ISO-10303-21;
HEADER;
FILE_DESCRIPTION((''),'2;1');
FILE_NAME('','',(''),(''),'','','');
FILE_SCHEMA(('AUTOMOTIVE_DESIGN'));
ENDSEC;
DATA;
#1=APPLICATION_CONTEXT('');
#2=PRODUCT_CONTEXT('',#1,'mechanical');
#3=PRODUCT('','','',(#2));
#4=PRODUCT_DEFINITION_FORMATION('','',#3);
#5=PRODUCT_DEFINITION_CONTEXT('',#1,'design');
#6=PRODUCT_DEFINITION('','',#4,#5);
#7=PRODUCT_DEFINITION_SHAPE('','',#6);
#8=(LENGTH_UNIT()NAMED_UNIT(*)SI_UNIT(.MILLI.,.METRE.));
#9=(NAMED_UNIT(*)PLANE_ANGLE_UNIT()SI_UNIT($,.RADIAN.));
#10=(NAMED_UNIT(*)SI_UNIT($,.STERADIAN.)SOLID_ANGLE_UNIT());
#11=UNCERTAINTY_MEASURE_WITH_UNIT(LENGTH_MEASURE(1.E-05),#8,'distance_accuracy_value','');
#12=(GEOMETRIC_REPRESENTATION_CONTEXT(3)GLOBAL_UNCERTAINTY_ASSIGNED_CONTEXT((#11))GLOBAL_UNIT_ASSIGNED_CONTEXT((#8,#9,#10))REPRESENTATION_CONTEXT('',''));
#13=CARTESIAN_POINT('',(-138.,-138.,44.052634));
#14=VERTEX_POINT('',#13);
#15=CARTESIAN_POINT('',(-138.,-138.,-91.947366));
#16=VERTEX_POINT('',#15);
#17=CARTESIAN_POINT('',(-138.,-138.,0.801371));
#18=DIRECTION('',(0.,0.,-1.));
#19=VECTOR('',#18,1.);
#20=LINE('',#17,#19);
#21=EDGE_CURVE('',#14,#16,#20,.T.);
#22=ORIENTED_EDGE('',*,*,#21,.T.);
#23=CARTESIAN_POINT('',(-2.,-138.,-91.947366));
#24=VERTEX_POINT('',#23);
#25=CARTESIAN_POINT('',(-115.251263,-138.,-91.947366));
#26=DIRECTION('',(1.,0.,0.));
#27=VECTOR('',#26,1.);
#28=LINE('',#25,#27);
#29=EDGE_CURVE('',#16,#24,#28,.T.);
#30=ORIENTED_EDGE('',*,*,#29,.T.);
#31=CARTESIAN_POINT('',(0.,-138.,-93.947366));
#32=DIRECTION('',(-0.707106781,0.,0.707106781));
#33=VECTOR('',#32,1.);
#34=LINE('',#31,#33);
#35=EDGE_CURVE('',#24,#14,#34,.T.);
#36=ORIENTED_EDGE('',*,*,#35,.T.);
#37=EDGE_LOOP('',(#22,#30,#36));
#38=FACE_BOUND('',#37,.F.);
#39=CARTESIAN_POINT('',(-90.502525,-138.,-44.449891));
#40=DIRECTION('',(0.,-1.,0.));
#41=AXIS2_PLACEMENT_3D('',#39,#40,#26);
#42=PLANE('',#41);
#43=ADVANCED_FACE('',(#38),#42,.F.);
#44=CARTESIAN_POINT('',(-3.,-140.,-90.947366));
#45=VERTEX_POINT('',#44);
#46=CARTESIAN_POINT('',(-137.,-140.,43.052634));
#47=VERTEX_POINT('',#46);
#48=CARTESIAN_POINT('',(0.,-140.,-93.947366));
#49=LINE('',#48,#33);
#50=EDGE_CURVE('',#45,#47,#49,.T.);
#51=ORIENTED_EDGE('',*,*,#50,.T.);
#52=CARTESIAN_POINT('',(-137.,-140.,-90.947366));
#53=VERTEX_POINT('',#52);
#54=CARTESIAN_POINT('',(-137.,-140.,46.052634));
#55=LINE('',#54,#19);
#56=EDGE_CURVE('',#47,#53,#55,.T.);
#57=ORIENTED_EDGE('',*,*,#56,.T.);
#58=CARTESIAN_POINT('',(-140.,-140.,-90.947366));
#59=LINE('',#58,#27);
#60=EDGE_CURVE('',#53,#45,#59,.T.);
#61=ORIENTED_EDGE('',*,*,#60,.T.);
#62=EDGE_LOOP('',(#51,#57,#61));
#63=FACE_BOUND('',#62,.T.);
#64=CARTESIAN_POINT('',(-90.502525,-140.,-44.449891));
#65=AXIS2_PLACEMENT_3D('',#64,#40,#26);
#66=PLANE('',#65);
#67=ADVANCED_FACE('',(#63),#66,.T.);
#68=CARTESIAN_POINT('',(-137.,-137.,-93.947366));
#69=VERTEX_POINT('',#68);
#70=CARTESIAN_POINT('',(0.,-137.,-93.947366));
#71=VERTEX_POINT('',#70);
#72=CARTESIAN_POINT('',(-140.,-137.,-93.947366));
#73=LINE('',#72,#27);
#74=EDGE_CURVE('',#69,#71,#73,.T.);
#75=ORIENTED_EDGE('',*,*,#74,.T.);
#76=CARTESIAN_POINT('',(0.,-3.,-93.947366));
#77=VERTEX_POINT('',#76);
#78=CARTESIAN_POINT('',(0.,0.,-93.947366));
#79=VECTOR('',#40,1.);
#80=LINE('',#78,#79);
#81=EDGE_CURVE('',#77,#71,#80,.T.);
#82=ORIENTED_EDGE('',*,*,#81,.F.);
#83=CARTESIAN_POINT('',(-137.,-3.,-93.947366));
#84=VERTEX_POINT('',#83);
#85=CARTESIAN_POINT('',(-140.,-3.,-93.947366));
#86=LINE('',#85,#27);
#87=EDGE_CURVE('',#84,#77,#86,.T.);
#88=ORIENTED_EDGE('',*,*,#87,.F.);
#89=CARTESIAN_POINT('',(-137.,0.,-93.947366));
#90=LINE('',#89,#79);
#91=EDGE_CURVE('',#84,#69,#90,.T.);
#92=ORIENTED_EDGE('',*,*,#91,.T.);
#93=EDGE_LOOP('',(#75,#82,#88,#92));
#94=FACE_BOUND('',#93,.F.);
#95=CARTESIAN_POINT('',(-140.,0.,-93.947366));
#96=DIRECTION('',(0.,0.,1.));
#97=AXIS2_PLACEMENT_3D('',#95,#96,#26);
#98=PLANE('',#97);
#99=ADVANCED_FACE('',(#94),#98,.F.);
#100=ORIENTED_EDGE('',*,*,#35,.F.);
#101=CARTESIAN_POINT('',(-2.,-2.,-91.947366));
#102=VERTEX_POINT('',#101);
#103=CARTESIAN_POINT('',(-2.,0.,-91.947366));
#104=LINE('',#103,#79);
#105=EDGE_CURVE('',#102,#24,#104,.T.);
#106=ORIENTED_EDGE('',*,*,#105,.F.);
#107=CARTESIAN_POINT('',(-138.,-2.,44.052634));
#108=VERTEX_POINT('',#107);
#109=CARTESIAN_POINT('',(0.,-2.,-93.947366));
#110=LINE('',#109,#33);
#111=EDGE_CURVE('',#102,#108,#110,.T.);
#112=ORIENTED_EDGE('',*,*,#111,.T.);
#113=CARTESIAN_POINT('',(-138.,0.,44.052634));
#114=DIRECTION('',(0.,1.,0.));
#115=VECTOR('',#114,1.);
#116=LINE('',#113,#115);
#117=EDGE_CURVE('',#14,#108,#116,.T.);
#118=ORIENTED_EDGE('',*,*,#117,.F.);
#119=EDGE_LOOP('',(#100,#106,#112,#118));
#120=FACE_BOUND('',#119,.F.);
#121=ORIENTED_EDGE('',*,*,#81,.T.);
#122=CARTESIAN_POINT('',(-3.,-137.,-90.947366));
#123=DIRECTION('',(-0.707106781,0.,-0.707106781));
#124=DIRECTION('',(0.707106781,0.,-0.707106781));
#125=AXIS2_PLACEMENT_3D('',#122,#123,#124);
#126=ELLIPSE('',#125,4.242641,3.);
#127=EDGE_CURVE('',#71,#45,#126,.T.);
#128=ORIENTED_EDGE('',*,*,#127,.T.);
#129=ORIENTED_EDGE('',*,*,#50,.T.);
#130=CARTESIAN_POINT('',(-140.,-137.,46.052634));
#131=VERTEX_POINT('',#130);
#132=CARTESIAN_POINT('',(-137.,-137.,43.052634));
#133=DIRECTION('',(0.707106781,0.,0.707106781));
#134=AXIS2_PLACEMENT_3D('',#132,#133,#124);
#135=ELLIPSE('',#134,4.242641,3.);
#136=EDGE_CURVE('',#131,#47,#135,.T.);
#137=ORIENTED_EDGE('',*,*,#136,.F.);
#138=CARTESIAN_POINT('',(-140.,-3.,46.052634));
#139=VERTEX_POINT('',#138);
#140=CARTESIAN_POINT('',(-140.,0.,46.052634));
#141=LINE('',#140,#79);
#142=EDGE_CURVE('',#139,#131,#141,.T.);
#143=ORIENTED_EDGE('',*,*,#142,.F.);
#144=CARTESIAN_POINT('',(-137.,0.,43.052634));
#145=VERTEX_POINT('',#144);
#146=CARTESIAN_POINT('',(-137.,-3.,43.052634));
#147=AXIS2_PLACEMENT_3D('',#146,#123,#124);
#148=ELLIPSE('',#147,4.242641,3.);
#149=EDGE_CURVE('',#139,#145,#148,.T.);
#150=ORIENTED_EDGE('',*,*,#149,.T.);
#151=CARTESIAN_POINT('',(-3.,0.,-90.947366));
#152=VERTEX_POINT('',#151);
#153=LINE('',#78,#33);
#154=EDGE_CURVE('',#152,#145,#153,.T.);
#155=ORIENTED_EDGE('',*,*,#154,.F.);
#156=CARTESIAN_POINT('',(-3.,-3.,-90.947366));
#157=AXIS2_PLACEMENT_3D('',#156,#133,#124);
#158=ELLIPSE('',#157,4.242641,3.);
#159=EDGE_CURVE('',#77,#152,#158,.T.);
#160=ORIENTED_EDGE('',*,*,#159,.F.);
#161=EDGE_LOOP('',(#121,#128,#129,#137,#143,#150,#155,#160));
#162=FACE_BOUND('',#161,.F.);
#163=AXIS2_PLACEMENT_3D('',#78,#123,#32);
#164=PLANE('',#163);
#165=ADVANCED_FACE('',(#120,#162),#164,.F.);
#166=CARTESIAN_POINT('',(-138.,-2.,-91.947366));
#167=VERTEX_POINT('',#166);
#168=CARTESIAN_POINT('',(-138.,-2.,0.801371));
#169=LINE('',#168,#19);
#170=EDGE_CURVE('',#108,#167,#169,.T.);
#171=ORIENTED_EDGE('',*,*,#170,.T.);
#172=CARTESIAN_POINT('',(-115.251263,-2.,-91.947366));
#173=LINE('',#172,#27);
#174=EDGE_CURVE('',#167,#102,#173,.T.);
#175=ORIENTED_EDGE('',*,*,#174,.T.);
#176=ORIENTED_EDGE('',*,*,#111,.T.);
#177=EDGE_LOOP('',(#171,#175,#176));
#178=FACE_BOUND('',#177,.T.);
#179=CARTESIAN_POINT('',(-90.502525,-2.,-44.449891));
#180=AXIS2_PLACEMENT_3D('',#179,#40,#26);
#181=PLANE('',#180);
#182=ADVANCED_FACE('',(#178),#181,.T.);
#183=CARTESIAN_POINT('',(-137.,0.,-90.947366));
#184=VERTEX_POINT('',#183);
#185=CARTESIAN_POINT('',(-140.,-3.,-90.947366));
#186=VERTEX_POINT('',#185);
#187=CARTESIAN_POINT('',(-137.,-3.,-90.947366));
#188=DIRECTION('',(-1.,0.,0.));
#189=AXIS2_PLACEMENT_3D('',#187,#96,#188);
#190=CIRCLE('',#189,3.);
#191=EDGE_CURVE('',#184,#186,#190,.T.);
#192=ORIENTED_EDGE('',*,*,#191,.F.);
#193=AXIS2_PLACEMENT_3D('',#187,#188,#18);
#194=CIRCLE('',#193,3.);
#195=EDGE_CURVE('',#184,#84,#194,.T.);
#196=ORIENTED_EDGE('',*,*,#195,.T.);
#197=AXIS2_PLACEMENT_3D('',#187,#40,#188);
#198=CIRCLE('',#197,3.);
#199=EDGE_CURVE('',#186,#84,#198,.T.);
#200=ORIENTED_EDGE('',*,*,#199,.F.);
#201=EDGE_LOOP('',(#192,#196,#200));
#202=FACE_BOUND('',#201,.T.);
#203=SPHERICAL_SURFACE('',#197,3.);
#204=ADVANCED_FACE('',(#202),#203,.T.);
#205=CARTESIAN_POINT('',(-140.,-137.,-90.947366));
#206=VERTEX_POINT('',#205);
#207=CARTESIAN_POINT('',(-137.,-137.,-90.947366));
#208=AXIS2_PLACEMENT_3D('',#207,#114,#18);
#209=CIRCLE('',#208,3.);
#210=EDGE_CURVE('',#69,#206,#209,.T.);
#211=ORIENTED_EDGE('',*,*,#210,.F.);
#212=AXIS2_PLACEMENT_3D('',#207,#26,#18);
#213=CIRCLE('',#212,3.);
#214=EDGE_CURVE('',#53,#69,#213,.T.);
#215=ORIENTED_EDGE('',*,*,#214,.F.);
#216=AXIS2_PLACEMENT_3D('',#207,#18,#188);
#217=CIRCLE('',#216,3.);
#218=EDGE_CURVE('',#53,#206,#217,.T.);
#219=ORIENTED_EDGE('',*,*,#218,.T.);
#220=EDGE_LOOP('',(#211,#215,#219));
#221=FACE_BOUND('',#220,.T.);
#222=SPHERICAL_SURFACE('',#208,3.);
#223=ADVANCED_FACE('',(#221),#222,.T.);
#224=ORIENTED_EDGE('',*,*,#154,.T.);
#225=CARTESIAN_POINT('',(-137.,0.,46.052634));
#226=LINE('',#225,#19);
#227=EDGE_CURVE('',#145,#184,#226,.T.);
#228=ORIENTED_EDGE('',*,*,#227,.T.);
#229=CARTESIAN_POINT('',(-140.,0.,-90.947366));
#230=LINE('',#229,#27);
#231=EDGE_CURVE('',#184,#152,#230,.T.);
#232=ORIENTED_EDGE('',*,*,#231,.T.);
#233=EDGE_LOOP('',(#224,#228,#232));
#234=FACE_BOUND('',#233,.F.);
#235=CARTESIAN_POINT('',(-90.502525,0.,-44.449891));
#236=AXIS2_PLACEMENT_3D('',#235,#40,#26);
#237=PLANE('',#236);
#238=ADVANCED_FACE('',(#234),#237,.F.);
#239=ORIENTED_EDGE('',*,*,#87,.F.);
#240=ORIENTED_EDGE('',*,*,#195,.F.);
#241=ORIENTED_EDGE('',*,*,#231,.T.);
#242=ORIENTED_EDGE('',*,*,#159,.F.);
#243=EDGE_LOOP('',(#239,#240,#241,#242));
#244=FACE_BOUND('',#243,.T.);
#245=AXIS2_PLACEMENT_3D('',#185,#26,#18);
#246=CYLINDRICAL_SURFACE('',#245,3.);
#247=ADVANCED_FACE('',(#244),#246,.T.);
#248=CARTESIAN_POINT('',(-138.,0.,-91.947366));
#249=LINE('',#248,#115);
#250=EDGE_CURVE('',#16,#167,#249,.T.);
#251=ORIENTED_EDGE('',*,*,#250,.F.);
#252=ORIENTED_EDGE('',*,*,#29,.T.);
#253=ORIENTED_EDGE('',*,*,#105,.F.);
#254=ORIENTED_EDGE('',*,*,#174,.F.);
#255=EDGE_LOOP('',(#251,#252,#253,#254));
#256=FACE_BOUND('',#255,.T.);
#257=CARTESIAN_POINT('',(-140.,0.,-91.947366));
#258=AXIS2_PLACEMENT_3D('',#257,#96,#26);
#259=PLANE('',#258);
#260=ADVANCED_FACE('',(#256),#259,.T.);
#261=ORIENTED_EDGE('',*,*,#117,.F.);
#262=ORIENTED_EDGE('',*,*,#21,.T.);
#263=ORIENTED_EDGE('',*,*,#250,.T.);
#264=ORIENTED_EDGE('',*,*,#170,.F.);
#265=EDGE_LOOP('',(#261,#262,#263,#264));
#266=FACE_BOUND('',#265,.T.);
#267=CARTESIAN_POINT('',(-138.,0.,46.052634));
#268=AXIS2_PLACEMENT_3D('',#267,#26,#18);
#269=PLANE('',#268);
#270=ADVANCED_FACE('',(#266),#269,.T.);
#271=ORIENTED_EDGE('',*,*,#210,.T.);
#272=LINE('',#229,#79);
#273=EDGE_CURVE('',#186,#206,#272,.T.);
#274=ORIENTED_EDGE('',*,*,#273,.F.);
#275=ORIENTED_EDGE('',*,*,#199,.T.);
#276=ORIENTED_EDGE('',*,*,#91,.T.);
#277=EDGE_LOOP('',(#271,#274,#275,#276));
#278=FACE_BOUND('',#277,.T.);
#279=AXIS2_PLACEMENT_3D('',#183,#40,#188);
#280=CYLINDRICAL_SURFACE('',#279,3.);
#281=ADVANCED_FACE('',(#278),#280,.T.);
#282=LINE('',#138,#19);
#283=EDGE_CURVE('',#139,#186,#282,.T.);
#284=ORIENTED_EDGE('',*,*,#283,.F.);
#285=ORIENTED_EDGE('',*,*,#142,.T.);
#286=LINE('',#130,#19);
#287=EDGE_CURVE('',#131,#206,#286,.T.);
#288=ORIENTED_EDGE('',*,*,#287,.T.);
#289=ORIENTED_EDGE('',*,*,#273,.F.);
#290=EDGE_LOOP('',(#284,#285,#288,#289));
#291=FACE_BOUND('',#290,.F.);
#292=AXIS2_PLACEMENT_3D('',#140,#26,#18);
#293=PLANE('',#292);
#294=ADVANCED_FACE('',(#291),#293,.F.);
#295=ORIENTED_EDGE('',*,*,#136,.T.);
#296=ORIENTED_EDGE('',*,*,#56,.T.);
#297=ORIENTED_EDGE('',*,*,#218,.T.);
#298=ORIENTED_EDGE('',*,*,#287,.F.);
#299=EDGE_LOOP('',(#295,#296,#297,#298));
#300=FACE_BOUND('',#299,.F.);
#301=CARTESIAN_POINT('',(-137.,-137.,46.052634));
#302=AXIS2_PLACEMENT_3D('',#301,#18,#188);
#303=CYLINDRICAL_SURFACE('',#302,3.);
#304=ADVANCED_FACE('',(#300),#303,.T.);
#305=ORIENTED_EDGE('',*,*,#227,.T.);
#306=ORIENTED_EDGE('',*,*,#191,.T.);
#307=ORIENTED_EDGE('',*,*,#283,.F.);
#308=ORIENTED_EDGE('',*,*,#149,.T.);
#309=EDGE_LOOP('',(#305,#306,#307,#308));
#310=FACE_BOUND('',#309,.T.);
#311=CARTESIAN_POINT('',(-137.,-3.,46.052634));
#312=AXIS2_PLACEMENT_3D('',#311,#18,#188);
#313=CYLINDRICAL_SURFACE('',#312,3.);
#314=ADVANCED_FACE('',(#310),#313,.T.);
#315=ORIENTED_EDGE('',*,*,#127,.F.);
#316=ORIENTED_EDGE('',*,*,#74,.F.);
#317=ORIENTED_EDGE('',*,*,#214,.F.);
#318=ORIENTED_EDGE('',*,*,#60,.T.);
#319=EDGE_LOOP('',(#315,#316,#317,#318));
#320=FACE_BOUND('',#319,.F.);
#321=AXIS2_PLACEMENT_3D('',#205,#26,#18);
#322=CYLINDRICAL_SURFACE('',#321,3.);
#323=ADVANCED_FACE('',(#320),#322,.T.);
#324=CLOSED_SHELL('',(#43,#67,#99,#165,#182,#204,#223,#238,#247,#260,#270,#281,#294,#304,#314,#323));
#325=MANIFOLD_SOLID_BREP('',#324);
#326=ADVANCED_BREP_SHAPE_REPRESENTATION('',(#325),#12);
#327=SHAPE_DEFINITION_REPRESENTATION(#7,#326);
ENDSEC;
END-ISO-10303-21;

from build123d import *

# Parameters (mm, degrees)
F1_DEPTH = 140
F2_T     = -2
F3_R     = 3


with BuildPart() as f1:
    # F0 (on Front) → F1 (new body)
    with BuildSketch(Plane.XZ):
        Polygon((0, -93.947366), (-140, 46.052634), (-140, -93.947366), align=None)
    extrude(amount=F1_DEPTH)

    # F2
    f2_openings = [f1.faces().sort_by_distance(p)[0] for p in [
        (-70, -70, -23.947366),
    ]]
    offset(amount=F2_T, openings=f2_openings)

    # F3
    f3_edges = [f1.edges().sort_by_distance(p)[0] for p in [
        (-140, -70, -93.947366),
        (-140, 0, -23.947366),
        (-70, 0, -93.947366),
        (-70, -140, -93.947366),
        (-140, -140, -23.947366),
    ]]
    fillet(f3_edges, radius=F3_R)


solid = f1.part
